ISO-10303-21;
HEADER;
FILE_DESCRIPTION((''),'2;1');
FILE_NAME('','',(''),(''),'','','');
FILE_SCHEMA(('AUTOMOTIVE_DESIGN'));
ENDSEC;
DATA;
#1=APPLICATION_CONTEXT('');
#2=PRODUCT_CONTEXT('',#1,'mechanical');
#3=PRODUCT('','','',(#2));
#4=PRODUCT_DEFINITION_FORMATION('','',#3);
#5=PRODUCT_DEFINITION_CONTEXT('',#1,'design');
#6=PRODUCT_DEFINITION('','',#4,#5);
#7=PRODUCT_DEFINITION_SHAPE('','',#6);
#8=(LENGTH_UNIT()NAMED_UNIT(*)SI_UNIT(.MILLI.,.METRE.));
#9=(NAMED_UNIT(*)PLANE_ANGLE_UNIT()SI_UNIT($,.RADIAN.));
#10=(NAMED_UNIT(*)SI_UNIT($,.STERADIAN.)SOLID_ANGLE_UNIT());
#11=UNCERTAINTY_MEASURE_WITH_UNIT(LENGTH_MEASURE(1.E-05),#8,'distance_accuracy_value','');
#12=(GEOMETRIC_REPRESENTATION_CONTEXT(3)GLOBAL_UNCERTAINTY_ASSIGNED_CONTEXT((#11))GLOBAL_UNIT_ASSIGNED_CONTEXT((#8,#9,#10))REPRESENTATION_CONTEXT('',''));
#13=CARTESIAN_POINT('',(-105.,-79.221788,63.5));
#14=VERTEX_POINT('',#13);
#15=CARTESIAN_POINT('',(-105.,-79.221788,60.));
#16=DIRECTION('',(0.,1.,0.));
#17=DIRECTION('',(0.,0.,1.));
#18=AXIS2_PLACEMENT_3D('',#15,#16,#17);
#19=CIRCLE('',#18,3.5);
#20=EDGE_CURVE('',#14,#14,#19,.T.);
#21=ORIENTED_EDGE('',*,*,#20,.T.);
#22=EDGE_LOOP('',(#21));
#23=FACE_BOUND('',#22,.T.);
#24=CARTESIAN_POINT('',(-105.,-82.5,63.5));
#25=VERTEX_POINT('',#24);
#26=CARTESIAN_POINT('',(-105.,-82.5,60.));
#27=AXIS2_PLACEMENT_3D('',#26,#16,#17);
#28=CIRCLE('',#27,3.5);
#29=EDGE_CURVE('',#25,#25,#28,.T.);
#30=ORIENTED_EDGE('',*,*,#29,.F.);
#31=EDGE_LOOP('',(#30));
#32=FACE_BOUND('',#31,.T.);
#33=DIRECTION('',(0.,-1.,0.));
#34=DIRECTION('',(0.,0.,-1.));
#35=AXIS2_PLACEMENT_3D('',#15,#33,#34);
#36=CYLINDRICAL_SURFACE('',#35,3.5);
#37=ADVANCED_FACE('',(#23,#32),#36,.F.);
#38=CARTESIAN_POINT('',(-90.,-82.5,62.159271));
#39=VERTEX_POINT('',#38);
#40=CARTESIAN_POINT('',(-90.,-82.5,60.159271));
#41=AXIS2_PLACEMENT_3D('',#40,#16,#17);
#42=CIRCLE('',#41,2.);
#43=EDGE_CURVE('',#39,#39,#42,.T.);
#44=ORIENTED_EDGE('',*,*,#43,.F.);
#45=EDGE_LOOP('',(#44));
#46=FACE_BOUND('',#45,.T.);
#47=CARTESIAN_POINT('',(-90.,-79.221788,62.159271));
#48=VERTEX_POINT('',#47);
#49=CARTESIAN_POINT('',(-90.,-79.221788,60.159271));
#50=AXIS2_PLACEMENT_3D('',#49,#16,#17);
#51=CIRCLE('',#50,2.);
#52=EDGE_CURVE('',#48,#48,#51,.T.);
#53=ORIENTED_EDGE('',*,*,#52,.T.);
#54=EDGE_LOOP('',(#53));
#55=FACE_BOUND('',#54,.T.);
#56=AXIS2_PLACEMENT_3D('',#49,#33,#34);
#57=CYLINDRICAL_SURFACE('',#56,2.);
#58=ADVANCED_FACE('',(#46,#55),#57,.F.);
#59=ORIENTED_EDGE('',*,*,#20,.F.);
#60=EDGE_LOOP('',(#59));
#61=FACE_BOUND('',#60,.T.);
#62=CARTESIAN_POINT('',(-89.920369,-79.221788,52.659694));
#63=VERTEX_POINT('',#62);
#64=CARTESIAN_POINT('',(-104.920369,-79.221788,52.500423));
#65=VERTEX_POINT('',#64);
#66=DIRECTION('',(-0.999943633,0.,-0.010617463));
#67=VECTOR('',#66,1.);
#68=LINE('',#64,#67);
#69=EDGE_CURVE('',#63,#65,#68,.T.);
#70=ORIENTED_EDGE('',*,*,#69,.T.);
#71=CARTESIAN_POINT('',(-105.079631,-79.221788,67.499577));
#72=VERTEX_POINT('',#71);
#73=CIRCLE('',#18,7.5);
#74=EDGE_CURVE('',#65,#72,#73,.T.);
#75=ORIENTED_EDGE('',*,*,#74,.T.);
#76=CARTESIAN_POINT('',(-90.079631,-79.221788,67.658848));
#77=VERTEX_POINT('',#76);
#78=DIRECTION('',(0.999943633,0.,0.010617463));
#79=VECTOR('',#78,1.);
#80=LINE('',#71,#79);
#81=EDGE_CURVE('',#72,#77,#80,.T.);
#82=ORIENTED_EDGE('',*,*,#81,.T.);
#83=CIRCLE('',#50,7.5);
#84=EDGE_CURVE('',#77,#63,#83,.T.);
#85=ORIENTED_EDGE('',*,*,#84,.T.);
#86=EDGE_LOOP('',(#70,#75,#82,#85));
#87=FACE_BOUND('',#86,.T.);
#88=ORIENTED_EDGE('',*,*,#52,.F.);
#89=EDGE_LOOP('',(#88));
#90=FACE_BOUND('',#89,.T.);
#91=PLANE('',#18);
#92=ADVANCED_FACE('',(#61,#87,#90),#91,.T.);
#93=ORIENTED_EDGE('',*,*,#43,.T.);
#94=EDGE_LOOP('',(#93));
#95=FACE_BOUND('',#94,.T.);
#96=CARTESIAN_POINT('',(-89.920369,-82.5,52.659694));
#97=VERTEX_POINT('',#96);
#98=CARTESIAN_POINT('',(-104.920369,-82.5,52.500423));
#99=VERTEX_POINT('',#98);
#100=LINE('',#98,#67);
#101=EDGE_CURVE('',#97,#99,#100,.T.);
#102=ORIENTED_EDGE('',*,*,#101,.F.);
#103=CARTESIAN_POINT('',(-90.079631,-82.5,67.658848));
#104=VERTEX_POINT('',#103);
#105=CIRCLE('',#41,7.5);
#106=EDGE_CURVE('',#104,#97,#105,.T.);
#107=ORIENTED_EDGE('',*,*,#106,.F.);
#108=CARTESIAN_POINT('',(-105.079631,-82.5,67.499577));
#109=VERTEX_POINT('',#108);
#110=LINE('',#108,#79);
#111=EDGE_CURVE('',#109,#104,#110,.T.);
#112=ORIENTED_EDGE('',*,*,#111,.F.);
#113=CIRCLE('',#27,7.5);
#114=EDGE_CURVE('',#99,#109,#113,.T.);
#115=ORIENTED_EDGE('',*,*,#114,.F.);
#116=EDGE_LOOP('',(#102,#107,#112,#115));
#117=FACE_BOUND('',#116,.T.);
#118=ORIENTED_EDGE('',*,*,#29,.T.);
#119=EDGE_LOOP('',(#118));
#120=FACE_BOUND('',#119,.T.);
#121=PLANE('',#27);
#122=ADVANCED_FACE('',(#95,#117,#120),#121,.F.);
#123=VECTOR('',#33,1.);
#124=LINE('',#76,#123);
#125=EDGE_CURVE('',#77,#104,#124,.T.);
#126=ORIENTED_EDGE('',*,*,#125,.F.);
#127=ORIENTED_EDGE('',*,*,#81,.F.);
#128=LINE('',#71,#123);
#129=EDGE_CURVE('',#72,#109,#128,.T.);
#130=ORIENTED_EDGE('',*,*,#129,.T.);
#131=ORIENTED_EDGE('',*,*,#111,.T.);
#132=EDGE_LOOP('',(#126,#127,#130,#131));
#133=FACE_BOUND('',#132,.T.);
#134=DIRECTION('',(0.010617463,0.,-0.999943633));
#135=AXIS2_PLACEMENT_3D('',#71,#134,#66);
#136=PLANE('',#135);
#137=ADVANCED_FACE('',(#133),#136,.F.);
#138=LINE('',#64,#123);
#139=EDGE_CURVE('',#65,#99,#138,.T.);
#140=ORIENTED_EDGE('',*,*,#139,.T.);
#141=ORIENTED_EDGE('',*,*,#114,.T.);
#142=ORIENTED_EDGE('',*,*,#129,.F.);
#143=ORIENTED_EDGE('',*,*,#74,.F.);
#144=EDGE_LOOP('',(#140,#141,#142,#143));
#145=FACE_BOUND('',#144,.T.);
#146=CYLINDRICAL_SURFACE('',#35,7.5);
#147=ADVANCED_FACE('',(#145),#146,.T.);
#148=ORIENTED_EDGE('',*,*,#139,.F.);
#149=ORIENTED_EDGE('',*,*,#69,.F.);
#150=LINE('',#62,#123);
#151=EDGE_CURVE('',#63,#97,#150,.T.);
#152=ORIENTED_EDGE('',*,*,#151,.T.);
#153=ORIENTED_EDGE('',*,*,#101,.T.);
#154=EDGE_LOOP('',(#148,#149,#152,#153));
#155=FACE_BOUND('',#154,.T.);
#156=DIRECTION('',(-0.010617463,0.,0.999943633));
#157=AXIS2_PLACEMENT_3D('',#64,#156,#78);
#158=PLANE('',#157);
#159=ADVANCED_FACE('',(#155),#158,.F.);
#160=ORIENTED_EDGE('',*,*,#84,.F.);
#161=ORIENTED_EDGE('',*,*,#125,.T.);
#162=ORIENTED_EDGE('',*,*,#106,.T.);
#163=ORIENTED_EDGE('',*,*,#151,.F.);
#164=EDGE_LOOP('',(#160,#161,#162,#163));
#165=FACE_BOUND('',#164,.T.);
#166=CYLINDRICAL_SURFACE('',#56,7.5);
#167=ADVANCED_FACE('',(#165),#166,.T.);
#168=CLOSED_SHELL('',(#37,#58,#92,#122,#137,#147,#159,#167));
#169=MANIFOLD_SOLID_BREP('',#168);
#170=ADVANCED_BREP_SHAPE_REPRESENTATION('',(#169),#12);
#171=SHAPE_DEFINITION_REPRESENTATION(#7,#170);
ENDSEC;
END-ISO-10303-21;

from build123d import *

# Parameters (mm, degrees)
SKETCH1_R           = 3.5
SKETCH1_R_2         = 2
BOSS_EXTRUDE1_DEPTH = 3.278212


with BuildPart() as part:
    # Sketch1 → Boss-Extrude1 (new body)
    with BuildSketch(Plane(origin=(0, -82.5, 0), x_dir=(1, 0, 0), z_dir=(0, 1, 0))):
        with BuildLine():
            Line((-104.920369031, -52.500422751), (-89.920369031, -52.659693668))
            ThreePointArc((-89.920369031, -52.659693668), (-82.500422751, -60.238901886), (-90.079630969, -67.658848165))
            Line((-90.079630969, -67.658848165), (-105.079630969, -67.499577249))
            ThreePointArc((-105.079630969, -67.499577249), (-112.499577249, -59.920369031), (-104.920369031, -52.500422751))
        make_face()
        with Locations(Location((-105, -60, 0), (0, 0, 270))):
            Circle(SKETCH1_R, mode=Mode.SUBTRACT)
        with Locations(Location((-90, -60.159270916, 0), (0, 0, 270))):
            Circle(SKETCH1_R_2, mode=Mode.SUBTRACT)
    extrude(amount=BOSS_EXTRUDE1_DEPTH)


solid = part.part
